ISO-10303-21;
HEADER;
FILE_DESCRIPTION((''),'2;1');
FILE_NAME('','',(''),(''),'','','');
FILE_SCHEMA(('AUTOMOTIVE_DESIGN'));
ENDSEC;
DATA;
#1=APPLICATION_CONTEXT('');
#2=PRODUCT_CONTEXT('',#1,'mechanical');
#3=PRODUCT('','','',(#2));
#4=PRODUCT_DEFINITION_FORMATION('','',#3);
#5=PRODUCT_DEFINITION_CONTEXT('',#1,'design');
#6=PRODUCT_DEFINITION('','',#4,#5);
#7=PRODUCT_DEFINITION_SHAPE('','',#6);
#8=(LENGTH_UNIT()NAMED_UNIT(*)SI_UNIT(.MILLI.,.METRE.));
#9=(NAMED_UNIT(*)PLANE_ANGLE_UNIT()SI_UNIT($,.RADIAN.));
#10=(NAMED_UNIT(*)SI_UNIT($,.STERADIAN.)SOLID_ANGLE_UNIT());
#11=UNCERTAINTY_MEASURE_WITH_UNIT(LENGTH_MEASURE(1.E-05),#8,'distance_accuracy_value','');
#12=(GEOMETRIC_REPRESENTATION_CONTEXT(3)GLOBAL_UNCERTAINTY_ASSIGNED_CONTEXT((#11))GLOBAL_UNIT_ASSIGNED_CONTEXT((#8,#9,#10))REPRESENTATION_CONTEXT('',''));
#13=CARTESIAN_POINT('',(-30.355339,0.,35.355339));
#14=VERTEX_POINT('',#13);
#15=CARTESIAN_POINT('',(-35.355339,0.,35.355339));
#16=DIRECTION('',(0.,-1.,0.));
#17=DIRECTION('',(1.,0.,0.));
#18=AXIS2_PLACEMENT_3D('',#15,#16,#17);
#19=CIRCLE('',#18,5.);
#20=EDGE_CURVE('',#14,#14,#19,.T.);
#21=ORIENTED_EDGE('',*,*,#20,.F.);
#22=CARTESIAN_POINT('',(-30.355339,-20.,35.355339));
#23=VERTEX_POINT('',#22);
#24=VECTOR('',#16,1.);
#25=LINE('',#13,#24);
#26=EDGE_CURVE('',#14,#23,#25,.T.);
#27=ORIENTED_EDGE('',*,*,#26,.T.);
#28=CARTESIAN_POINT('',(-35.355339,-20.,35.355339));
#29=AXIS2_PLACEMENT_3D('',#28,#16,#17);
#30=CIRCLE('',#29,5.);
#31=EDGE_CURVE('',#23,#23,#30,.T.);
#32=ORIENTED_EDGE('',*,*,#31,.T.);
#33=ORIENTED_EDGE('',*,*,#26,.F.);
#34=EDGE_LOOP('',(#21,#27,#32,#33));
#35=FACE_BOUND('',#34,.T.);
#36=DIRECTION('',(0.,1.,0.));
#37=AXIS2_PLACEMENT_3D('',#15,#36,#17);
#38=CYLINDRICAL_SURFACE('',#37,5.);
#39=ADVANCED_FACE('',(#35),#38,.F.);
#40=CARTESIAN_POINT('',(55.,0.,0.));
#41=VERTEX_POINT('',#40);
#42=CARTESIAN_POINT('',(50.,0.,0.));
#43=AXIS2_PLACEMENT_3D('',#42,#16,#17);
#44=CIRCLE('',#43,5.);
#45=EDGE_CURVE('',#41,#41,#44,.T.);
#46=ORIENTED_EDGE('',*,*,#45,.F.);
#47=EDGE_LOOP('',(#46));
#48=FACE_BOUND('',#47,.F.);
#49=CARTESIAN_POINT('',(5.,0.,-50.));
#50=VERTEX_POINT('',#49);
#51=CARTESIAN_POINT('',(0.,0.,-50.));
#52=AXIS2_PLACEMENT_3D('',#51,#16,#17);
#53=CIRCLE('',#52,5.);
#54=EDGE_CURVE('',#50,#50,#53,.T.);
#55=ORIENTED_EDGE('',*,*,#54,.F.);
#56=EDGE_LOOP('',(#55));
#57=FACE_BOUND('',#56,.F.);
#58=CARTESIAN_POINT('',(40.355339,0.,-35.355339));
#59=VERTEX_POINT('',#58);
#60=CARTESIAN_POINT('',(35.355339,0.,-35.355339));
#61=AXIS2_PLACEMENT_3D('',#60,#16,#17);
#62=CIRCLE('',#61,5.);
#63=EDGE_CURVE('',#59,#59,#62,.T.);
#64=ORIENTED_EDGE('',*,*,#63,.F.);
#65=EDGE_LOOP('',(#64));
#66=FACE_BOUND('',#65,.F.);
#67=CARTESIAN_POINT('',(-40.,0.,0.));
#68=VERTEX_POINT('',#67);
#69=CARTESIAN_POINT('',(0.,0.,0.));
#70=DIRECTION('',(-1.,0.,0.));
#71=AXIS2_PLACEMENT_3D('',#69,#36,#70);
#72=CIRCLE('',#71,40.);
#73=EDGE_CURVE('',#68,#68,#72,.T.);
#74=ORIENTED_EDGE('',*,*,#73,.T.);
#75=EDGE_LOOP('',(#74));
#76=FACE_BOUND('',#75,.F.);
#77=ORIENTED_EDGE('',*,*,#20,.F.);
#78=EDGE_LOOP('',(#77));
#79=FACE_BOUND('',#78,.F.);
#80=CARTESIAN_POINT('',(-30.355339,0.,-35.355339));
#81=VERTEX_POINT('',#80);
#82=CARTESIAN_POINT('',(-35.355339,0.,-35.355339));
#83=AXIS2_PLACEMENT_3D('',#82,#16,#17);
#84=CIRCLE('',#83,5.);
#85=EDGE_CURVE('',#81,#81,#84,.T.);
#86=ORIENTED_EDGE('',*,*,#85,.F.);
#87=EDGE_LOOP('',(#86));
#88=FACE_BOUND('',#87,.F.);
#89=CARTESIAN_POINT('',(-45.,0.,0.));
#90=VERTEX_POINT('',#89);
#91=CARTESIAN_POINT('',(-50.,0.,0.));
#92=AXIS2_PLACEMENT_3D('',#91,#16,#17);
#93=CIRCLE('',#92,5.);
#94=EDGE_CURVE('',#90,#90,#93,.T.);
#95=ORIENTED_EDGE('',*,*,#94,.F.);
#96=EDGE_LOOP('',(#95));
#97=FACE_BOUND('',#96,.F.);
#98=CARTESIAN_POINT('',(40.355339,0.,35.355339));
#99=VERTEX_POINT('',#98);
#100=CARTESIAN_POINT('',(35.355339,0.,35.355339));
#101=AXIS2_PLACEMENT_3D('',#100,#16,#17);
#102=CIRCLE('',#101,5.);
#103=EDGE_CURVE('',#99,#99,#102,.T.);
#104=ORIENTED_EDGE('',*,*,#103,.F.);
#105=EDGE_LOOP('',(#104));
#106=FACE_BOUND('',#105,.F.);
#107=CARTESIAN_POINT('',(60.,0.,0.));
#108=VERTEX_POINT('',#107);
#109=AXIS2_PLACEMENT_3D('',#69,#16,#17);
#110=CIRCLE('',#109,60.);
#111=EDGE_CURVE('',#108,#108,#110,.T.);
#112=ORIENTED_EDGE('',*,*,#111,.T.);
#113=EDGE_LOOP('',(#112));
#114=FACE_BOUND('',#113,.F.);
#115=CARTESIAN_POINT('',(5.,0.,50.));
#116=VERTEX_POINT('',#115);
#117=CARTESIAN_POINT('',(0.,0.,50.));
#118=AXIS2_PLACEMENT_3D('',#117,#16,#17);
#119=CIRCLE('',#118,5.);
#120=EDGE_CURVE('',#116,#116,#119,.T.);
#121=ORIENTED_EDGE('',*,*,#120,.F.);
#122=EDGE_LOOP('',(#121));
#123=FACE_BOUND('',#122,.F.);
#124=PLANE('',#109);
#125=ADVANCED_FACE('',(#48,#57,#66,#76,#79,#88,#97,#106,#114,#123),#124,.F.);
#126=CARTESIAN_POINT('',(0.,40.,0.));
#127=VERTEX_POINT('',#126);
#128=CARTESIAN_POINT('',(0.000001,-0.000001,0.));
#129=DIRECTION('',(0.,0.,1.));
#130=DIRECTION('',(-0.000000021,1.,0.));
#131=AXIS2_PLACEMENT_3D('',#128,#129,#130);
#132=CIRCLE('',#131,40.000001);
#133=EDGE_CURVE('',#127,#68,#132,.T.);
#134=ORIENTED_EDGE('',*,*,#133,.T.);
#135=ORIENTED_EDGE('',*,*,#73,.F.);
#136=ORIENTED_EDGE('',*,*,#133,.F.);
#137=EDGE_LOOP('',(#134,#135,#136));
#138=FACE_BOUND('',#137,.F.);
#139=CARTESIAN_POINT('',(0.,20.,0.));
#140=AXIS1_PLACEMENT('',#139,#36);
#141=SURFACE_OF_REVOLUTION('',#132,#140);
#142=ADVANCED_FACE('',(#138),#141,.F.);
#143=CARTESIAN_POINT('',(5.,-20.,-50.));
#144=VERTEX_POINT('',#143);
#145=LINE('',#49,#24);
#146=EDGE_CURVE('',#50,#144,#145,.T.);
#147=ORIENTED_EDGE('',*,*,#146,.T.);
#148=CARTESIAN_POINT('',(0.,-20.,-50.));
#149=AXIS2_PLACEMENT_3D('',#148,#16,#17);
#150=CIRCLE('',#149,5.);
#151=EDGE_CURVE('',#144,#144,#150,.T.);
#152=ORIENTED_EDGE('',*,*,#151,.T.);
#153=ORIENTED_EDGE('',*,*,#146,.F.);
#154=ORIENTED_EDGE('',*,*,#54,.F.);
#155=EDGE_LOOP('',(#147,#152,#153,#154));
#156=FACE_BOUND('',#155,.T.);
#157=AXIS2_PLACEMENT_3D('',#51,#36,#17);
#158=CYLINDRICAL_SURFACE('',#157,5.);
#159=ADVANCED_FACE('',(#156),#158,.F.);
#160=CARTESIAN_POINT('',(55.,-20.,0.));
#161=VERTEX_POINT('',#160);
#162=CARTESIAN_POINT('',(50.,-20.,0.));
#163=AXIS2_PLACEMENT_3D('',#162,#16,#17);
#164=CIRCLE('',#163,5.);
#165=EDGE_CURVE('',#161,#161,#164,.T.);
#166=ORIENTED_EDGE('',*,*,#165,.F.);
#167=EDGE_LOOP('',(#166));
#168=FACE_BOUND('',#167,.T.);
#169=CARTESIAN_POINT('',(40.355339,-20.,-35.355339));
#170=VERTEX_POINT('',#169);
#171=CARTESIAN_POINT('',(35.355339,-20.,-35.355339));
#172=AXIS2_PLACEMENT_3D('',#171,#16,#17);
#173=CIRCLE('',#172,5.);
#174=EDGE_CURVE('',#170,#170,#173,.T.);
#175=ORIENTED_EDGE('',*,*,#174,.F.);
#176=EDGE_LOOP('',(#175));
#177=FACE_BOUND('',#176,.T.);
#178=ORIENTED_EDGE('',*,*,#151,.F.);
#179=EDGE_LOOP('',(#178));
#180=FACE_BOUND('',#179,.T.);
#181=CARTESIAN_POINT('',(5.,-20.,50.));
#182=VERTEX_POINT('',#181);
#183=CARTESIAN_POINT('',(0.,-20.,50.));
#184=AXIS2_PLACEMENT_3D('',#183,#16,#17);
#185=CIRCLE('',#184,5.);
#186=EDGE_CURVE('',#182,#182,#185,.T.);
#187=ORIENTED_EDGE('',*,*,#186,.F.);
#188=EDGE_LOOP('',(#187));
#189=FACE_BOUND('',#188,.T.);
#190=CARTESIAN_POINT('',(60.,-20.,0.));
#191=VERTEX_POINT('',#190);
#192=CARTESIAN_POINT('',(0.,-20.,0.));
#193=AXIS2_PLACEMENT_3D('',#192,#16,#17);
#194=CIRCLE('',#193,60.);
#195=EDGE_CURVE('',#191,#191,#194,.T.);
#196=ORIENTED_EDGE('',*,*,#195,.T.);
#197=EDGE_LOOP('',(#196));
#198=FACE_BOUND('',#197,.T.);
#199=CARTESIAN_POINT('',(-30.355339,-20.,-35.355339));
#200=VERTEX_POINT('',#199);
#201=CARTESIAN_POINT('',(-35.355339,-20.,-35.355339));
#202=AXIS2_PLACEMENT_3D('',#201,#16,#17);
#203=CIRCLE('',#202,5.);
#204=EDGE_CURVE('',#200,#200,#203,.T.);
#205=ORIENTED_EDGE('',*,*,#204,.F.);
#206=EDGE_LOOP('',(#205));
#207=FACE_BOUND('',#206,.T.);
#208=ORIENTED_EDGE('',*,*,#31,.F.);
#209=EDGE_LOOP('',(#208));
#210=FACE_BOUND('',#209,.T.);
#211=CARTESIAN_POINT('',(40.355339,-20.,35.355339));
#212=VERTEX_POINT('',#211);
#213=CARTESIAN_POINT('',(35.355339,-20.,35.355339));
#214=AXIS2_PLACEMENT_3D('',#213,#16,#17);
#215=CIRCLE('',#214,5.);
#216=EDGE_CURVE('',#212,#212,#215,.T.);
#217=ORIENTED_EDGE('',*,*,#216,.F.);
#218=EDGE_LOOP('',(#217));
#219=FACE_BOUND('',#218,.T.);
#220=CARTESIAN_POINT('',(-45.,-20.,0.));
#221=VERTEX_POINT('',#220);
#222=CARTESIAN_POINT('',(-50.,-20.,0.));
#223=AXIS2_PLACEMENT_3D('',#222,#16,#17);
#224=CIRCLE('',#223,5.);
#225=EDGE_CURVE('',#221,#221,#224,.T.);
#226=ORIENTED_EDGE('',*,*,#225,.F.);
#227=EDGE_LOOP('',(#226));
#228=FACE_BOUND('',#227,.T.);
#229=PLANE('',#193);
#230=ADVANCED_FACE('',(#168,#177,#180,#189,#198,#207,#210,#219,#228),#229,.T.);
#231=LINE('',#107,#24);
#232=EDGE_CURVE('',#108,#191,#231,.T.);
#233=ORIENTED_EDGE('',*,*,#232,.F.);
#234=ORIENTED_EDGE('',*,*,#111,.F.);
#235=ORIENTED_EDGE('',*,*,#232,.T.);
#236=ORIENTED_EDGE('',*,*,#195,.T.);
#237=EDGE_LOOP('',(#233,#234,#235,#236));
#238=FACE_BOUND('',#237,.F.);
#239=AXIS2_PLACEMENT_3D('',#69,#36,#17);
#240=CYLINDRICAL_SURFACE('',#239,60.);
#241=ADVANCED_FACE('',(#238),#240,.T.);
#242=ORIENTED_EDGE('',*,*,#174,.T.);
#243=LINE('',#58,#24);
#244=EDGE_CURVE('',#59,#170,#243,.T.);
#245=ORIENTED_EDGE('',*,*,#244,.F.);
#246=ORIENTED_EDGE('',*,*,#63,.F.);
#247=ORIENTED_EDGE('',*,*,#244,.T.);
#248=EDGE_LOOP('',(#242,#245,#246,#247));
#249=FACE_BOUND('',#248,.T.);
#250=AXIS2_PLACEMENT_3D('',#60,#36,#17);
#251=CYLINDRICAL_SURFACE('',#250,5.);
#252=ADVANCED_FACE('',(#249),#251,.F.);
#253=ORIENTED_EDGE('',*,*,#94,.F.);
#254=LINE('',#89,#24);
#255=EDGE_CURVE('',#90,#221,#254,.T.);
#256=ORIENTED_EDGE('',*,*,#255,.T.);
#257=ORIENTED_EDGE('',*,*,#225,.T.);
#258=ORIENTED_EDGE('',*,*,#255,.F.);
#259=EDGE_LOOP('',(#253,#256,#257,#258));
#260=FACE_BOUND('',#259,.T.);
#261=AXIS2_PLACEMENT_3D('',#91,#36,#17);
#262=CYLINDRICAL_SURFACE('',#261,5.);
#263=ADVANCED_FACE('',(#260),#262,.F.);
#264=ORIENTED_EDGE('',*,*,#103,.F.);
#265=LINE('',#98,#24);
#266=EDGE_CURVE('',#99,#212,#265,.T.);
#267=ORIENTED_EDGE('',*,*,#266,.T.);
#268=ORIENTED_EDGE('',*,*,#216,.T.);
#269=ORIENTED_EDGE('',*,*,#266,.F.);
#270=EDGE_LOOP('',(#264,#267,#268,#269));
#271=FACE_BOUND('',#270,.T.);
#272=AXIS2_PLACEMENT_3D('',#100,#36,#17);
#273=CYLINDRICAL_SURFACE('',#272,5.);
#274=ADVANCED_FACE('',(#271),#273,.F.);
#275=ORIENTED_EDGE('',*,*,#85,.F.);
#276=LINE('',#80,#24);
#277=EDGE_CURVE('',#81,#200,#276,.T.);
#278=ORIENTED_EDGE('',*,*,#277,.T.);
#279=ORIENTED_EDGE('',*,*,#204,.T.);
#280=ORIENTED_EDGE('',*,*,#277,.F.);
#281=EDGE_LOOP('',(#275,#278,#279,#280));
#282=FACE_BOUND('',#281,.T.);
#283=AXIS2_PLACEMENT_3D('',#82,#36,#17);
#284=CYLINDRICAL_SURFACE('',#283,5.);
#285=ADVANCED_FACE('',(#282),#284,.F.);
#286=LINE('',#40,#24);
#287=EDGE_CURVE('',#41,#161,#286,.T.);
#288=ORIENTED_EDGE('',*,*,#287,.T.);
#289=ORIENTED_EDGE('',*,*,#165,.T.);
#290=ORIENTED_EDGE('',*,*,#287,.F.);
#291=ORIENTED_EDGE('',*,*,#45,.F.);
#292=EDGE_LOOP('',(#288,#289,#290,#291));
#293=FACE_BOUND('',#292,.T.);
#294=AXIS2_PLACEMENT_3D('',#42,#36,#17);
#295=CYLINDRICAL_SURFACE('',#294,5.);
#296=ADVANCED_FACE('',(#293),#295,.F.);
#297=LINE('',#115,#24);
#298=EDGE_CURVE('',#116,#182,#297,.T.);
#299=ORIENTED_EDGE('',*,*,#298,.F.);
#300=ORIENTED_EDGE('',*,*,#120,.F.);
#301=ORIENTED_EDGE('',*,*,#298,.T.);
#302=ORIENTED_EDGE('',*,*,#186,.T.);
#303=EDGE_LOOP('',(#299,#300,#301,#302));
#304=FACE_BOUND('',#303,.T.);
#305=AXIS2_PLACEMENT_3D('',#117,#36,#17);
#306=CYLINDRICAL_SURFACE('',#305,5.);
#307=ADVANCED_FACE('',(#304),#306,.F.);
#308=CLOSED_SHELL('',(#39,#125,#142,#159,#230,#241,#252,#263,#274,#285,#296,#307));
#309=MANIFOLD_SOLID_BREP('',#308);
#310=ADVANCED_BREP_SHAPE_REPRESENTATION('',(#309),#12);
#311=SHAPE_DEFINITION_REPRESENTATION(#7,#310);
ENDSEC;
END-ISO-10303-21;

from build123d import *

# Parameters (mm, degrees)
F0_R     = 60
F0_R_2   = 5
F1_DEPTH = 20


with BuildPart() as f1:
    # F0 (on Front) → F1 (new body)
    with BuildSketch(Plane.XZ):
        Circle(F0_R)
        with Locations((-35.355339, -35.355339)):
            Circle(F0_R_2, mode=Mode.SUBTRACT)
        with Locations((0, -50)):
            Circle(F0_R_2, mode=Mode.SUBTRACT)
        with Locations((35.355339, -35.355339)):
            Circle(F0_R_2, mode=Mode.SUBTRACT)
        with Locations((-50, 0)):
            Circle(F0_R_2, mode=Mode.SUBTRACT)
        with Locations((-35.355339, 35.355339)):
            Circle(F0_R_2, mode=Mode.SUBTRACT)
        with Locations((50, 0)):
            Circle(F0_R_2, mode=Mode.SUBTRACT)
        with Locations((0, 50)):
            Circle(F0_R_2, mode=Mode.SUBTRACT)
        with Locations((35.355339, 35.355339)):
            Circle(F0_R_2, mode=Mode.SUBTRACT)
    extrude(amount=F1_DEPTH)

    # F2 (on Top) → F3 (revolve)
    with BuildSketch(Plane.XY):
        with BuildLine():
            Line((-40, 0), (0, 0))
            Line((0, 0), (0, 40))
            ThreePointArc((0, 40), (-28.284271, 28.284271), (-40, 0))
        make_face()
    revolve(axis=Axis((0, 20, 0), (0, 1, 0)))


solid = f1.part
